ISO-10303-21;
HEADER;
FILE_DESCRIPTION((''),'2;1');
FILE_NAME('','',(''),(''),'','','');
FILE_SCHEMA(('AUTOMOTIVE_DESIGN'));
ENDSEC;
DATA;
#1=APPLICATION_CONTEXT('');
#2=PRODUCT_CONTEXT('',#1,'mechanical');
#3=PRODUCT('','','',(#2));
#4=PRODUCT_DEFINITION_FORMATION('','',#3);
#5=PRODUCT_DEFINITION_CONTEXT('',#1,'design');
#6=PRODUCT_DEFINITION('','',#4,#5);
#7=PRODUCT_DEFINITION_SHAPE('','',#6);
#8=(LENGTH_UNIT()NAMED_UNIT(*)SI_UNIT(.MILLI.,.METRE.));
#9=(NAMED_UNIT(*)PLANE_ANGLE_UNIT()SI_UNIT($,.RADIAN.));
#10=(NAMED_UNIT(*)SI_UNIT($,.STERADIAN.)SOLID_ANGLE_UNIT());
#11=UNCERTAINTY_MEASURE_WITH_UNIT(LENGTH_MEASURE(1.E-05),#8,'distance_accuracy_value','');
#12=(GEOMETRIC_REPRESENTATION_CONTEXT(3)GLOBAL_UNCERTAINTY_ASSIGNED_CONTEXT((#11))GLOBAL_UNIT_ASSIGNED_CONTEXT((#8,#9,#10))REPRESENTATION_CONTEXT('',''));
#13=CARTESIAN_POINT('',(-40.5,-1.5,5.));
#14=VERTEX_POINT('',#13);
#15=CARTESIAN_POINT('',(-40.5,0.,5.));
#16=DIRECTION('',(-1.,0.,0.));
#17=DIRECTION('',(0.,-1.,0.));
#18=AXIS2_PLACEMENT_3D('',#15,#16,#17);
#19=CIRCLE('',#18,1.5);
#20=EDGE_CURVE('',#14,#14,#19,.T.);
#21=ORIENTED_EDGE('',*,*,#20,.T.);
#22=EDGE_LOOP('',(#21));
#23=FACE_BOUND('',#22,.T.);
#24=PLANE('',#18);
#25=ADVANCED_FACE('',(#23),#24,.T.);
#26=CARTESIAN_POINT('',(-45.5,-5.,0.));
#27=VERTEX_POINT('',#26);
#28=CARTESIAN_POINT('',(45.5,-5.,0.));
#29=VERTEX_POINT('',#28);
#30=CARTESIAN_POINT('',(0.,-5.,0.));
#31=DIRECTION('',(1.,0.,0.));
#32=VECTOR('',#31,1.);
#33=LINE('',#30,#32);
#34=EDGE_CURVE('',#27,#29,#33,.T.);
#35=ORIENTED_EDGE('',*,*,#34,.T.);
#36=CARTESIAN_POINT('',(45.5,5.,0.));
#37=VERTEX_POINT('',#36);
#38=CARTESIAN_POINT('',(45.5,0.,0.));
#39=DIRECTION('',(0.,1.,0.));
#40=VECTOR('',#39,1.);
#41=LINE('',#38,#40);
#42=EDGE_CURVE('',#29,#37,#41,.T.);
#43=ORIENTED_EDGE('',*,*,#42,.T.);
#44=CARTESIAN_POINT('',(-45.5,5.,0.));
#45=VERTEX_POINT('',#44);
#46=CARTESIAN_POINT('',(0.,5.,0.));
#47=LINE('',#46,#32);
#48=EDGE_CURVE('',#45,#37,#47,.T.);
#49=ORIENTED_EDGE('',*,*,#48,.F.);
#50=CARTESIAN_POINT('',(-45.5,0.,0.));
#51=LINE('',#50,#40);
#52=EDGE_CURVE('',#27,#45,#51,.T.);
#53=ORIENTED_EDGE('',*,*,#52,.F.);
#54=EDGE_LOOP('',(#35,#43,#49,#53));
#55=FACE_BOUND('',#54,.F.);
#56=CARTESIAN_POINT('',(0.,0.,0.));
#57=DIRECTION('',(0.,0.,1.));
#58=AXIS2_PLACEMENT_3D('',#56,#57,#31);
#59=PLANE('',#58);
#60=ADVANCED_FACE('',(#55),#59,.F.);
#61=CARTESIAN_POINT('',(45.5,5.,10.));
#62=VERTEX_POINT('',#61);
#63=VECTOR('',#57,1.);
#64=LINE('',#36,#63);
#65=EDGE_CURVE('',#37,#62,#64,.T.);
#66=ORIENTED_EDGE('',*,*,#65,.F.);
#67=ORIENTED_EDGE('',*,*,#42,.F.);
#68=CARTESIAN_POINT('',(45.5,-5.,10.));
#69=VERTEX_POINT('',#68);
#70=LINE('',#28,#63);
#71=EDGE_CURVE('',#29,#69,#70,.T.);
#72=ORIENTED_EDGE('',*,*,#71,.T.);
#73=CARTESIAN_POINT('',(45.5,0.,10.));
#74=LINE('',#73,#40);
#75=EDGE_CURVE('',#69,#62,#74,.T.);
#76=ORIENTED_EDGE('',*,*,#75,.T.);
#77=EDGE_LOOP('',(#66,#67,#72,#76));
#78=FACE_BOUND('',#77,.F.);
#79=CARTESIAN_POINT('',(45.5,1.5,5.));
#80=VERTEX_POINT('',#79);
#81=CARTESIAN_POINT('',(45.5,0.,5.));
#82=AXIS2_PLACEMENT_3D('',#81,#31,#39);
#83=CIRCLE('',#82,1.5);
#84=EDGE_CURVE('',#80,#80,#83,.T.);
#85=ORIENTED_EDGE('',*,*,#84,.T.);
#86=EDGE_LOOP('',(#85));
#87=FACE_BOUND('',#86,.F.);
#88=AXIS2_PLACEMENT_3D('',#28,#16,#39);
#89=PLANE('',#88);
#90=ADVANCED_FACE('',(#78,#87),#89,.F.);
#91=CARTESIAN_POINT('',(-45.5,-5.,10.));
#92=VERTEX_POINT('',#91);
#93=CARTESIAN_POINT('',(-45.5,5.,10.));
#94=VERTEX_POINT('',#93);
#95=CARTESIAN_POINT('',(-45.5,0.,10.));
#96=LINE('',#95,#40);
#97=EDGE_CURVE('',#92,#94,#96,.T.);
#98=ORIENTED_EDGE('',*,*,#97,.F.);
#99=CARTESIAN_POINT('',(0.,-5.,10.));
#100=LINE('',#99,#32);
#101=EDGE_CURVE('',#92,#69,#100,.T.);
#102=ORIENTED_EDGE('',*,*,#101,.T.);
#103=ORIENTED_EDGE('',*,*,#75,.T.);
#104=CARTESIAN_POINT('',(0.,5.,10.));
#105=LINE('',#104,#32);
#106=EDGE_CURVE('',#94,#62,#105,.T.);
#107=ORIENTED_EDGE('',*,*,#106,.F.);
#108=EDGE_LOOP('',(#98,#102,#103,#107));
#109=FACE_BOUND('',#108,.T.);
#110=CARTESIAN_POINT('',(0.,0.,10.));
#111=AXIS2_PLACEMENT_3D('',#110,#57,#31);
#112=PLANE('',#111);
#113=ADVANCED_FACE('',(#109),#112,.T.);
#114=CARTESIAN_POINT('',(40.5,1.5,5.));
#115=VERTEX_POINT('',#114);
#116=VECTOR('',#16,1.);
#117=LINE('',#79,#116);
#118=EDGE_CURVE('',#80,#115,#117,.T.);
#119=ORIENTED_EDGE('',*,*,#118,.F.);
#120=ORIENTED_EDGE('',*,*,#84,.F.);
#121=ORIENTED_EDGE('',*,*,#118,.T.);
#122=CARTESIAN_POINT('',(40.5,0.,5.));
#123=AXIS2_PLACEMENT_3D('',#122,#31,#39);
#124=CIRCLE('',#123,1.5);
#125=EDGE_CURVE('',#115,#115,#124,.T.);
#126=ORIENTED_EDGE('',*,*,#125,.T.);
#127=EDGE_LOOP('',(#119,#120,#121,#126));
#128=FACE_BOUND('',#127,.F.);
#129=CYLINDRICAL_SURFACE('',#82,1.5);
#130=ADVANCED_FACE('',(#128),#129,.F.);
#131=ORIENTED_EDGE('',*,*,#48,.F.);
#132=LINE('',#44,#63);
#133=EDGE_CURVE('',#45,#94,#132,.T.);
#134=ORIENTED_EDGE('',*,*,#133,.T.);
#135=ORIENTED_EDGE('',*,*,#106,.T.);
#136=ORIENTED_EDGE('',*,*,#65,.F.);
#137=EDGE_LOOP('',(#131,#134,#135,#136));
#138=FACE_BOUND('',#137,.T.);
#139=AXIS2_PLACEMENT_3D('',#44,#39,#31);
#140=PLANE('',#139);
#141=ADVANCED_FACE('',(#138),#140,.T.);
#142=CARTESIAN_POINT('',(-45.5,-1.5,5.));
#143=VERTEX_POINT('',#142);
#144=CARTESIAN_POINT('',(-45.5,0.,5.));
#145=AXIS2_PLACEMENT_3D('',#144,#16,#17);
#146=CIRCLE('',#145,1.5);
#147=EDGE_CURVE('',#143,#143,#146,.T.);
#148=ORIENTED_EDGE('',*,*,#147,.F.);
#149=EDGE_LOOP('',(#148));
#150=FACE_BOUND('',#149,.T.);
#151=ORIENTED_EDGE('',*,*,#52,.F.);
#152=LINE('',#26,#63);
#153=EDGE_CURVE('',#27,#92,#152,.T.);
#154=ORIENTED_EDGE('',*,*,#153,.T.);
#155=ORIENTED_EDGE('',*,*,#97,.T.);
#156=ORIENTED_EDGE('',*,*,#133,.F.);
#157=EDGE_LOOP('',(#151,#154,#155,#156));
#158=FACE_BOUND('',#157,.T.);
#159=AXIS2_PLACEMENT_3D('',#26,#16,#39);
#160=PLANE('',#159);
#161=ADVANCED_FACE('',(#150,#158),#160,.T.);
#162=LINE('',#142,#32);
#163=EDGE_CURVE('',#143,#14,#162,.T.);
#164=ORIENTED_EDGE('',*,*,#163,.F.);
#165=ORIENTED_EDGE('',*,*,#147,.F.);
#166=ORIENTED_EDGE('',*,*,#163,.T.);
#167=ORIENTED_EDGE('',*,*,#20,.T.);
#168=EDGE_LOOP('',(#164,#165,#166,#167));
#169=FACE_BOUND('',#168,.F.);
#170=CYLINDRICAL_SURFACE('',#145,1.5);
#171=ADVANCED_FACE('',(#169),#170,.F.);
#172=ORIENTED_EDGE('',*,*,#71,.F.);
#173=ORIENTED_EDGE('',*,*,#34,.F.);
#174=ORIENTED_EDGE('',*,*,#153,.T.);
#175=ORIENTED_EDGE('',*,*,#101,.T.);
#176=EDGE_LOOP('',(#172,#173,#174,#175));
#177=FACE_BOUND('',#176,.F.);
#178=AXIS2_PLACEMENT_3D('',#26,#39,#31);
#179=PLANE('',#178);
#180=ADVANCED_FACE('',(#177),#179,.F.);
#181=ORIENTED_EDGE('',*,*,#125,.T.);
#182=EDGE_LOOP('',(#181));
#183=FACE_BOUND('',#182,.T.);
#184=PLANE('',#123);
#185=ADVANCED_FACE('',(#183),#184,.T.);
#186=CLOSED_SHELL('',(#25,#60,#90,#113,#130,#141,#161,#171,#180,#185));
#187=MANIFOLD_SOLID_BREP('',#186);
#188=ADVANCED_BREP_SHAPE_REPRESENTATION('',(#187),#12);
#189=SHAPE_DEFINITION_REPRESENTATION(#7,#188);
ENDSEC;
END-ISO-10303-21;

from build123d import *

# Parameters (mm, degrees)
SKETCH010_W     = 91
SKETCH010_H     = 10
PAD004_DEPTH    = 10
SKETCH011_R     = 1.5
POCKET006_DEPTH = 5
SKETCH012_R     = 1.5
POCKET007_DEPTH = 5


with BuildPart() as part:
    # Sketch010 → Pad004 (new body)
    with BuildSketch(Plane.XY):
        Rectangle(SKETCH010_W, SKETCH010_H)
    extrude(amount=PAD004_DEPTH)

    # Sketch011 (on Face1 of Pad004) → Pocket006 (cut)
    with BuildSketch(Plane(origin=(-45.5, 0, 0), x_dir=(0, -1, 0), z_dir=(-1, 0, 0))):
        with Locations((0, 5)):
            Circle(SKETCH011_R)
    extrude(amount=-POCKET006_DEPTH, mode=Mode.SUBTRACT)

    # Sketch012 (on Face7 of Pocket006) → Pocket007 (cut)
    with BuildSketch(Plane.YZ.offset(45.5)):
        with Locations((0, 5)):
            Circle(SKETCH012_R)
    extrude(amount=-POCKET007_DEPTH, mode=Mode.SUBTRACT)


solid = part.part
